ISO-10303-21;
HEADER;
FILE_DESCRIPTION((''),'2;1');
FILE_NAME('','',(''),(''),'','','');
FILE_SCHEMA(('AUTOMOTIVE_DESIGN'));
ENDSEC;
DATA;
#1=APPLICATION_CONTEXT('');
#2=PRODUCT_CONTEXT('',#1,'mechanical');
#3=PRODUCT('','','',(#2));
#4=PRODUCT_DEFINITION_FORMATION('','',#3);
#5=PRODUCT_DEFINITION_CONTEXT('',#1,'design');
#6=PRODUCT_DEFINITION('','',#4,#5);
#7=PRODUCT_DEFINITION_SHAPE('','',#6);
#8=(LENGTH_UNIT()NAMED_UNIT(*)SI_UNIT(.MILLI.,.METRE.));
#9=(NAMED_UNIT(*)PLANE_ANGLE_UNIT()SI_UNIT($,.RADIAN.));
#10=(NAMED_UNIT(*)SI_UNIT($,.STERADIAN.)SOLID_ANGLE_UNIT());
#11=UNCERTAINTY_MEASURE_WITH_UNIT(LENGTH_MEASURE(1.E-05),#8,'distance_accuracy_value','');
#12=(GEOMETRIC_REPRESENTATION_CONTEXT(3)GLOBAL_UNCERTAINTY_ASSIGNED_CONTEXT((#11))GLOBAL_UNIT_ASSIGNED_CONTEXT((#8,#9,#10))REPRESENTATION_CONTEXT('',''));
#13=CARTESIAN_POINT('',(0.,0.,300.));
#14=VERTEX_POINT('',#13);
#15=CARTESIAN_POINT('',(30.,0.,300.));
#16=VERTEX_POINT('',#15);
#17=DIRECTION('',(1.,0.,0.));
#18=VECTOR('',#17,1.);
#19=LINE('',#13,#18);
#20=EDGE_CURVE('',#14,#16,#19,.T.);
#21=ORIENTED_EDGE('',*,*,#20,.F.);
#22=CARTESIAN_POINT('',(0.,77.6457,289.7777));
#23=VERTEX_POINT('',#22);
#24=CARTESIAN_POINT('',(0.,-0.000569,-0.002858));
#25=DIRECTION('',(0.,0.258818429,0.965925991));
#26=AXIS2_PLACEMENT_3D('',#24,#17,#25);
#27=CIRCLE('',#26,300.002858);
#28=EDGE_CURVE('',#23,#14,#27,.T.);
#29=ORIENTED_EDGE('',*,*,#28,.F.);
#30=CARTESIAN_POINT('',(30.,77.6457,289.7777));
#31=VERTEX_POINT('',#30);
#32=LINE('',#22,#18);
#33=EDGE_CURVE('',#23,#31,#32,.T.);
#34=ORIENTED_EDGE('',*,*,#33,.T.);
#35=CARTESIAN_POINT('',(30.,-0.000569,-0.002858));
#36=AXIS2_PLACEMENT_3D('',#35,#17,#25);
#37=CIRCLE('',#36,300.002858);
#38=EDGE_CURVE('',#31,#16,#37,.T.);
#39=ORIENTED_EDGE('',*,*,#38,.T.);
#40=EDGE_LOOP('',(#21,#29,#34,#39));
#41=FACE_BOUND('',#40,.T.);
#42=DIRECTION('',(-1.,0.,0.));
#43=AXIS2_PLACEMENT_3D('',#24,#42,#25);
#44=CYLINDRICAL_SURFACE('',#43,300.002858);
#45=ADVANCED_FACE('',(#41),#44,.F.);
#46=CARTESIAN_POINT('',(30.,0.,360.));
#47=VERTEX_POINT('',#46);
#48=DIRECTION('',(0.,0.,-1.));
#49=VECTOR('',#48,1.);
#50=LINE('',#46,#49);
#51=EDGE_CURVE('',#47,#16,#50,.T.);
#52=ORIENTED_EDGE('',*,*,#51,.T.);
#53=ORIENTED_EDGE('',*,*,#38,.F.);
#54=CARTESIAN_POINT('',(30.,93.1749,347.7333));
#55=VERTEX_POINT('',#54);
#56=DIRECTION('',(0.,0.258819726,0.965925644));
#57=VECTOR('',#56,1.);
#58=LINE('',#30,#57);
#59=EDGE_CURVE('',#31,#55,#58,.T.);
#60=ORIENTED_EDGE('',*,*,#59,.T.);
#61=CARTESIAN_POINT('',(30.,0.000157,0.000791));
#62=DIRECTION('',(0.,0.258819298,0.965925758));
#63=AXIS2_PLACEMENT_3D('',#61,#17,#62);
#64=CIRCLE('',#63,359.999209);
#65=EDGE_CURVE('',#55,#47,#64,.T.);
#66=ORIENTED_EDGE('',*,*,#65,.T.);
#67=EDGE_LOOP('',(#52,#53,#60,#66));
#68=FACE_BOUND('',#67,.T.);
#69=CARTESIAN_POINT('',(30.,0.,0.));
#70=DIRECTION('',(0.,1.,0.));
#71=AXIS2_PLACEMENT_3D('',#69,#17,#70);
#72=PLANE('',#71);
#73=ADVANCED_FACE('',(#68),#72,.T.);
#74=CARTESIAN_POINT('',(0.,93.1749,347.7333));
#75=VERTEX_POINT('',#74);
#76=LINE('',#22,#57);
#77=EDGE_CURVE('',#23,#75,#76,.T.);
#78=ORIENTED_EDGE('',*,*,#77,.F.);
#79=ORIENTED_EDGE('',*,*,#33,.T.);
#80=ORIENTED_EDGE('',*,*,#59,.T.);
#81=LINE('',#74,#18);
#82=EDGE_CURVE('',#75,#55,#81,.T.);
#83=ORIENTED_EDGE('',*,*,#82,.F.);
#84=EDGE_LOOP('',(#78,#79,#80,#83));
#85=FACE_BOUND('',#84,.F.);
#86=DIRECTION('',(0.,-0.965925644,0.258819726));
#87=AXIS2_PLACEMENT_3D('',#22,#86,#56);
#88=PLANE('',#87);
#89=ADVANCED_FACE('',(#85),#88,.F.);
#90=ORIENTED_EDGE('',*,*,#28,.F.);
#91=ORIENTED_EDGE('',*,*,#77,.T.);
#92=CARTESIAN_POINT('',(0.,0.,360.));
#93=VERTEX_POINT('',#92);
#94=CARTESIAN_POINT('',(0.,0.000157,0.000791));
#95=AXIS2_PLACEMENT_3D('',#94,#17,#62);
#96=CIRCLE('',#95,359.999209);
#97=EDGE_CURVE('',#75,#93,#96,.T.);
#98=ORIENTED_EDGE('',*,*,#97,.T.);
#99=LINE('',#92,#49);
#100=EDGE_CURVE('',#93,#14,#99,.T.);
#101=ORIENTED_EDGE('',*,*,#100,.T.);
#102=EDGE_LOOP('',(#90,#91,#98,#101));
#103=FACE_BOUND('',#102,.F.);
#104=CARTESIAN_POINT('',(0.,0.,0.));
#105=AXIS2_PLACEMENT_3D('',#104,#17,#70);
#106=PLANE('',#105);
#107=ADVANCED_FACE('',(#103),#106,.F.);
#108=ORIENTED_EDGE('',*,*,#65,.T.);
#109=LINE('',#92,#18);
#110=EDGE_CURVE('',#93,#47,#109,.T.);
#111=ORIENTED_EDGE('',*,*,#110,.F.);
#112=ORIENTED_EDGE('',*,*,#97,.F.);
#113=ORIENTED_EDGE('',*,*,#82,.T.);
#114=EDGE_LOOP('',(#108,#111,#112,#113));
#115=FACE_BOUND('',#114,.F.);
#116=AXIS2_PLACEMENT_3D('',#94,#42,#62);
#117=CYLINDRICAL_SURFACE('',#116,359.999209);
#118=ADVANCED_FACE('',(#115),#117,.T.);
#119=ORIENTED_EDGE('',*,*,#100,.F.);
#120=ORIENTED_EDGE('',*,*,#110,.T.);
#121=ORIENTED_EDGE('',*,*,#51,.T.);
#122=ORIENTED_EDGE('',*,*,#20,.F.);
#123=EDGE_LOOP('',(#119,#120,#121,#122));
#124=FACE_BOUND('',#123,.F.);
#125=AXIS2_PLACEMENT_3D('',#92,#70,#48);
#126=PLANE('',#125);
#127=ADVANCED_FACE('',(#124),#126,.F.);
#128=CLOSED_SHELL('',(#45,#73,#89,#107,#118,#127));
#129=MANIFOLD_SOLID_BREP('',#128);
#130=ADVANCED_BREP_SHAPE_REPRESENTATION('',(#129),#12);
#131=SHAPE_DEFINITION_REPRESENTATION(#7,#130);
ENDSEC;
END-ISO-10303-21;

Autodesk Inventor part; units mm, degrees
ref_plane "YZ Plane" through (0, 0, 0) normal (1, 0, 0) x (0, 1, 0)
ref_plane "XZ Plane" through (0, 0, 0) normal (0, 1, 0) x (-1, 0, 0)
ref_plane "XY Plane" through (0, 0, 0) normal (0, 0, 1) x (1, 0, 0)
sketch "Sketch1" plane through (0, 0, 0) normal (1, 0, 0) x (0, 1, 0)
  arc A0 (77.6457, 289.7777) -> (0, 300) centre (0, 0) ccw
  arc A1 (93.1749, 347.7333) -> (0, 360) centre (0, 0) ccw
  line L0 (0, 360) -> (0, 300)
  line L1 (77.6457, 289.7777) -> (93.1749, 347.7333)
  line L2 (0, 0) -> (106.0062, 395.6207)
  dimension "d2" = 300
  dimension "d3" = 60
  dimension "d6" = 15
extrude "Extrusion1" add sketch "Sketch1" along normal blind 30
equation "\"d3\" = 2 * secure_arm_hold_thickness"
equation "\"d4\" = secure_arm_hold_thickness"
equation "\"hoop_angle_z\" = 45deg"
equation "\"hoop_bearing_length\" = 5deg"
equation "\"hoop_cable_diam\" = 5"
equation "\"hoop_cable_pulley_diam\" = 22"
equation "\"hoop_thickness_large\" = 4"
equation "\"hoop_thickness_medium\" = 3.2"
equation "\"hoop_thickness_small\" = 2"
equation "\"hoop_width_large\" = 51"
equation "\"hoop_width_medium\" = 33.7"
equation "\"hoop_width_small\" = 25.4"
equation "\"rack_tooth_addendum\" = 5"
equation "\"rack_tooth_dedendum\" = 5"
equation "\"rack_tooth_thickness\" = 5"
equation "\"secure_arm_angle\" = 35deg"
equation "\"secure_arm_hold_thickness\" = 30"
equation "\"secure_arm_radii\" = 9"
equation "\"support_baseClamp_platformLengthBuffer\" = 35"
equation "\"support_baseClamp_platformThickness\" = 15"
equation "\"support_baseClamp_platformWidthBuffer\" = 0"
equation "\"support_baseClamp_sleeveHoleDiameter\" = 12"
equation "\"support_baseClamp_sleeveSweepTerminationAngle\" = 55deg"
equation "\"support_baseClamp_thickness\" = 8"
equation "\"support_frame_endHoleBuffer\" = 45"
equation "\"support_frame_squareBarFillet\" = 2"
equation "\"support_frame_squareBarThickness\" = 5"
equation "\"hoop_tabs_thickness\" = 6"
equation "\"hoop_tabs_hole\" = 12"
equation "\"wheelchair_deployed_width\" = 635"
equation "\"wheelchair_deployed_height\" = 914"
equation "\"wheelchair_deployed_length\" = 1067"
equation "\"sm_varx_pinPlate_thickness\" = 5"
equation "\"sm_varx_member_tolerance\" = 0"
equation "\"sm_varx_pinPlate_holeDiameter\" = 5"
equation "\"sm_varx_squareBarThickness\" = 2.5"
equation "\"hoop_bushing23_radialInterference\" = 0"
equation "\"hoop_bushing12_radialInterference\" = 0"
equation "\"hoop_bushing12_od\" = -2 * hoop_thickness_large + hoop_width_large + hoop_bushing12_radialInterference"
equation "\"hoop_bushing23_od\" = -2 * hoop_thickness_medium + hoop_width_medium + hoop_bushing23_radialInterference"
equation "\"wheelchatir_pos_deploy_angle_0\" = 65deg"
equation "\"wheelchatir_pos_store_angle_0\" = 90deg"
equation "\"wheelchatir_pos_deploy_angle_1\" = 20deg"
equation "\"wheelchatir_pos_store_angle_1\" = 20deg"
equation "\"hoop_bushing12_thickness\" = -hoop_width_medium + hoop_bushing12_od - 2 * hoop_bushing12_radialInterference"
equation "\"hoop_bushing23_thickness\" = -hoop_width_small + hoop_bushing23_od - 2 * hoop_bushing23_radialInterference"
properties part number "secure_wheel_bar"
